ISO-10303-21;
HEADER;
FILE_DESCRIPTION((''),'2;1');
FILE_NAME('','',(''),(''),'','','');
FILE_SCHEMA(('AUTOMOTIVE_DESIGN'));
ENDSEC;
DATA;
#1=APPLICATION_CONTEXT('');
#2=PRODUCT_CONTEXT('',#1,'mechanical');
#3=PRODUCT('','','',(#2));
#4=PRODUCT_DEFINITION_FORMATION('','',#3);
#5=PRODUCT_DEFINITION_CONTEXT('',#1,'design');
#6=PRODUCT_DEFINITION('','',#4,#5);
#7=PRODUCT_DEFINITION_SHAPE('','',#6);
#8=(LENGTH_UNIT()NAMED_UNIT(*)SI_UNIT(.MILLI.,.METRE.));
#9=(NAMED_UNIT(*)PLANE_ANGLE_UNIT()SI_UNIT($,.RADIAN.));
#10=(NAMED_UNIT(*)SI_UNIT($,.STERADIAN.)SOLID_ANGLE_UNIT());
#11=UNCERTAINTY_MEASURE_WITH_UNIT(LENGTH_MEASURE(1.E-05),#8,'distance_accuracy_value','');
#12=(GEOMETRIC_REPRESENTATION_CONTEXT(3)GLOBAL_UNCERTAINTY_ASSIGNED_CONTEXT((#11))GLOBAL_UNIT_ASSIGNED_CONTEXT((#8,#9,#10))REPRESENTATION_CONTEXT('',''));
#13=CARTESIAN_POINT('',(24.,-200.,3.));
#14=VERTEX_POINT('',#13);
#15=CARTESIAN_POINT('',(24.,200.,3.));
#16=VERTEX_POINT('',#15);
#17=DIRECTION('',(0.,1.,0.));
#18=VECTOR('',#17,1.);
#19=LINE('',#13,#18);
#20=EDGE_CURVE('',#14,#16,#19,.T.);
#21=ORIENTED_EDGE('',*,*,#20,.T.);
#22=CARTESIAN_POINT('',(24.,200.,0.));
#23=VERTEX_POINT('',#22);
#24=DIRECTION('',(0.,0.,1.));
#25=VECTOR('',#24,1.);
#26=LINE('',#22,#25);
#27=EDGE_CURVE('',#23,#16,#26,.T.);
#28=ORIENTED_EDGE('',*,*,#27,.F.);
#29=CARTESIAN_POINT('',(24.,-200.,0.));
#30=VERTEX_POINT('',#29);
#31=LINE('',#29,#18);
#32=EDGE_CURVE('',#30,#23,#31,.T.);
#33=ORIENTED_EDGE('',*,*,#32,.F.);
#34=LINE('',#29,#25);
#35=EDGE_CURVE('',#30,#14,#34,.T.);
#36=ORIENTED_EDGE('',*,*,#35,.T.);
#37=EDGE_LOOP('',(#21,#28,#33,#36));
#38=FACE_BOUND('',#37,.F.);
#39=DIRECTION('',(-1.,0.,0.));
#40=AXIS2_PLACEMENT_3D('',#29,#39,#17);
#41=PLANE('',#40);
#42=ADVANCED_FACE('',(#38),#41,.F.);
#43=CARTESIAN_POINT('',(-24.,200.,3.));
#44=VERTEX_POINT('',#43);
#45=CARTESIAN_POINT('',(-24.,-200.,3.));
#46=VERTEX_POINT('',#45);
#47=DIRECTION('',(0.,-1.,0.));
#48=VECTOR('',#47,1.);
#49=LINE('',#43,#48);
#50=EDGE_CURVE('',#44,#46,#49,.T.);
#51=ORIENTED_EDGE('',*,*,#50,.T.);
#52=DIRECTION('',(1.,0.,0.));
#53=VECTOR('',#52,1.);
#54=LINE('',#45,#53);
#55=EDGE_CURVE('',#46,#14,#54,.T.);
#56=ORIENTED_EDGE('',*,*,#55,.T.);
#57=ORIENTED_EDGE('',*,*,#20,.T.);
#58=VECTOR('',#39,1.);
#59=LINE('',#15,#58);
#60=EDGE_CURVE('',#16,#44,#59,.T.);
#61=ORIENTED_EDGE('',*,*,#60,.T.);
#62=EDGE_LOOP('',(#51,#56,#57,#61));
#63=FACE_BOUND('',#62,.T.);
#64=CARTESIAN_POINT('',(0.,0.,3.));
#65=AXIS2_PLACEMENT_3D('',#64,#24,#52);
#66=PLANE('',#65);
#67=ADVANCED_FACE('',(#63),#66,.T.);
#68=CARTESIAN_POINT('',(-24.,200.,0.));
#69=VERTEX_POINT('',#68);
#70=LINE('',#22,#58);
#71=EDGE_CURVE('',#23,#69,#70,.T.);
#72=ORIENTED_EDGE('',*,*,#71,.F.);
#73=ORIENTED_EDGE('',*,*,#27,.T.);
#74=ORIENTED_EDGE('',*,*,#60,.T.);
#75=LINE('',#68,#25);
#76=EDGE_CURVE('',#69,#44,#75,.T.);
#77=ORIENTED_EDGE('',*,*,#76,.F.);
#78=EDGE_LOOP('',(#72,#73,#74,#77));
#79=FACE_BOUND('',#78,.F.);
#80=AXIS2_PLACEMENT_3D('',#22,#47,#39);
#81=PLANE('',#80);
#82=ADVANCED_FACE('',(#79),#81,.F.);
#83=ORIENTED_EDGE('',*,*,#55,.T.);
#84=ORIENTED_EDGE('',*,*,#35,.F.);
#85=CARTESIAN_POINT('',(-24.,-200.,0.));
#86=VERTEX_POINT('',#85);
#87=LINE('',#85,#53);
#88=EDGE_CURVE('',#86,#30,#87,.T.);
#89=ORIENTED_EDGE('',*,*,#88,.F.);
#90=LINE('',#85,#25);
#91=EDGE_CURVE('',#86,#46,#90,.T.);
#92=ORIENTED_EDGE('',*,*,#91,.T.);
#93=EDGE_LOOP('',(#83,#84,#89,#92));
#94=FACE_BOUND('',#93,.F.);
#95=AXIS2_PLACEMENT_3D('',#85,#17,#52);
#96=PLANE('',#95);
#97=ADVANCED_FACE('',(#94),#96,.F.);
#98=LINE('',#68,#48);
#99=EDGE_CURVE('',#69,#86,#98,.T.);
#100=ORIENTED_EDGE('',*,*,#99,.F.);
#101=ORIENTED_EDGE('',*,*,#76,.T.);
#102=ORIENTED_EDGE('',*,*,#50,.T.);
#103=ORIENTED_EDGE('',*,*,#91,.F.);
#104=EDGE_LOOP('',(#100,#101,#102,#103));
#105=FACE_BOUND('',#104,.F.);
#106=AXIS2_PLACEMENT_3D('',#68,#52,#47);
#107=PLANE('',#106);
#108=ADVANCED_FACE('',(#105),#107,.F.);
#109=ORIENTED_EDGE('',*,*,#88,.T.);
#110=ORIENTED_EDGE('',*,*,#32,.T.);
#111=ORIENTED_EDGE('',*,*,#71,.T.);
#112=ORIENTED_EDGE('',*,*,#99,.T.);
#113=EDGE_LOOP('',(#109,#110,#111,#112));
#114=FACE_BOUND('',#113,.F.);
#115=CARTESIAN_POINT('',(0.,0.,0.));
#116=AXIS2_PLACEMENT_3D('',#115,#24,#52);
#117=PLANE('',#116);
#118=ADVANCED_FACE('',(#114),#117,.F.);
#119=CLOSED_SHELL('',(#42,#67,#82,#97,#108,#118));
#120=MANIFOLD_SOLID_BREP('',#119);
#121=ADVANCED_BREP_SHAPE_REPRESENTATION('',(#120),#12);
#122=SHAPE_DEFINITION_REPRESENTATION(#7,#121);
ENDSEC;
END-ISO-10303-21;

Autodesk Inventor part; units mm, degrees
ref_plane "YZ Plane" through (0, 0, 0) normal (1, 0, 0) x (0, 1, 0)
ref_plane "XZ Plane" through (0, 0, 0) normal (0, 1, 0) x (-1, 0, 0)
ref_plane "XY Plane" through (0, 0, 0) normal (0, 0, 1) x (1, 0, 0)
sketch "Sketch1" plane through (0, 0, 0) normal (0, 0, 1) x (1, 0, 0)
  line L0 (-24, -200) -> (24, -200)
  line L1 (24, -200) -> (24, 200)
  line L2 (24, 200) -> (-24, 200)
  line L3 (-24, 200) -> (-24, -200)
  line L4 (-24, -200) -> (24, 200) construction
  line L5 (24, -200) -> (-24, 200) construction
  point P0 (0, 0)
  dimension "d0" = 48
  dimension "d1" = 400
extrude "Extrusion1" add sketch "Sketch1" along normal blind 3
properties part number "side1"
